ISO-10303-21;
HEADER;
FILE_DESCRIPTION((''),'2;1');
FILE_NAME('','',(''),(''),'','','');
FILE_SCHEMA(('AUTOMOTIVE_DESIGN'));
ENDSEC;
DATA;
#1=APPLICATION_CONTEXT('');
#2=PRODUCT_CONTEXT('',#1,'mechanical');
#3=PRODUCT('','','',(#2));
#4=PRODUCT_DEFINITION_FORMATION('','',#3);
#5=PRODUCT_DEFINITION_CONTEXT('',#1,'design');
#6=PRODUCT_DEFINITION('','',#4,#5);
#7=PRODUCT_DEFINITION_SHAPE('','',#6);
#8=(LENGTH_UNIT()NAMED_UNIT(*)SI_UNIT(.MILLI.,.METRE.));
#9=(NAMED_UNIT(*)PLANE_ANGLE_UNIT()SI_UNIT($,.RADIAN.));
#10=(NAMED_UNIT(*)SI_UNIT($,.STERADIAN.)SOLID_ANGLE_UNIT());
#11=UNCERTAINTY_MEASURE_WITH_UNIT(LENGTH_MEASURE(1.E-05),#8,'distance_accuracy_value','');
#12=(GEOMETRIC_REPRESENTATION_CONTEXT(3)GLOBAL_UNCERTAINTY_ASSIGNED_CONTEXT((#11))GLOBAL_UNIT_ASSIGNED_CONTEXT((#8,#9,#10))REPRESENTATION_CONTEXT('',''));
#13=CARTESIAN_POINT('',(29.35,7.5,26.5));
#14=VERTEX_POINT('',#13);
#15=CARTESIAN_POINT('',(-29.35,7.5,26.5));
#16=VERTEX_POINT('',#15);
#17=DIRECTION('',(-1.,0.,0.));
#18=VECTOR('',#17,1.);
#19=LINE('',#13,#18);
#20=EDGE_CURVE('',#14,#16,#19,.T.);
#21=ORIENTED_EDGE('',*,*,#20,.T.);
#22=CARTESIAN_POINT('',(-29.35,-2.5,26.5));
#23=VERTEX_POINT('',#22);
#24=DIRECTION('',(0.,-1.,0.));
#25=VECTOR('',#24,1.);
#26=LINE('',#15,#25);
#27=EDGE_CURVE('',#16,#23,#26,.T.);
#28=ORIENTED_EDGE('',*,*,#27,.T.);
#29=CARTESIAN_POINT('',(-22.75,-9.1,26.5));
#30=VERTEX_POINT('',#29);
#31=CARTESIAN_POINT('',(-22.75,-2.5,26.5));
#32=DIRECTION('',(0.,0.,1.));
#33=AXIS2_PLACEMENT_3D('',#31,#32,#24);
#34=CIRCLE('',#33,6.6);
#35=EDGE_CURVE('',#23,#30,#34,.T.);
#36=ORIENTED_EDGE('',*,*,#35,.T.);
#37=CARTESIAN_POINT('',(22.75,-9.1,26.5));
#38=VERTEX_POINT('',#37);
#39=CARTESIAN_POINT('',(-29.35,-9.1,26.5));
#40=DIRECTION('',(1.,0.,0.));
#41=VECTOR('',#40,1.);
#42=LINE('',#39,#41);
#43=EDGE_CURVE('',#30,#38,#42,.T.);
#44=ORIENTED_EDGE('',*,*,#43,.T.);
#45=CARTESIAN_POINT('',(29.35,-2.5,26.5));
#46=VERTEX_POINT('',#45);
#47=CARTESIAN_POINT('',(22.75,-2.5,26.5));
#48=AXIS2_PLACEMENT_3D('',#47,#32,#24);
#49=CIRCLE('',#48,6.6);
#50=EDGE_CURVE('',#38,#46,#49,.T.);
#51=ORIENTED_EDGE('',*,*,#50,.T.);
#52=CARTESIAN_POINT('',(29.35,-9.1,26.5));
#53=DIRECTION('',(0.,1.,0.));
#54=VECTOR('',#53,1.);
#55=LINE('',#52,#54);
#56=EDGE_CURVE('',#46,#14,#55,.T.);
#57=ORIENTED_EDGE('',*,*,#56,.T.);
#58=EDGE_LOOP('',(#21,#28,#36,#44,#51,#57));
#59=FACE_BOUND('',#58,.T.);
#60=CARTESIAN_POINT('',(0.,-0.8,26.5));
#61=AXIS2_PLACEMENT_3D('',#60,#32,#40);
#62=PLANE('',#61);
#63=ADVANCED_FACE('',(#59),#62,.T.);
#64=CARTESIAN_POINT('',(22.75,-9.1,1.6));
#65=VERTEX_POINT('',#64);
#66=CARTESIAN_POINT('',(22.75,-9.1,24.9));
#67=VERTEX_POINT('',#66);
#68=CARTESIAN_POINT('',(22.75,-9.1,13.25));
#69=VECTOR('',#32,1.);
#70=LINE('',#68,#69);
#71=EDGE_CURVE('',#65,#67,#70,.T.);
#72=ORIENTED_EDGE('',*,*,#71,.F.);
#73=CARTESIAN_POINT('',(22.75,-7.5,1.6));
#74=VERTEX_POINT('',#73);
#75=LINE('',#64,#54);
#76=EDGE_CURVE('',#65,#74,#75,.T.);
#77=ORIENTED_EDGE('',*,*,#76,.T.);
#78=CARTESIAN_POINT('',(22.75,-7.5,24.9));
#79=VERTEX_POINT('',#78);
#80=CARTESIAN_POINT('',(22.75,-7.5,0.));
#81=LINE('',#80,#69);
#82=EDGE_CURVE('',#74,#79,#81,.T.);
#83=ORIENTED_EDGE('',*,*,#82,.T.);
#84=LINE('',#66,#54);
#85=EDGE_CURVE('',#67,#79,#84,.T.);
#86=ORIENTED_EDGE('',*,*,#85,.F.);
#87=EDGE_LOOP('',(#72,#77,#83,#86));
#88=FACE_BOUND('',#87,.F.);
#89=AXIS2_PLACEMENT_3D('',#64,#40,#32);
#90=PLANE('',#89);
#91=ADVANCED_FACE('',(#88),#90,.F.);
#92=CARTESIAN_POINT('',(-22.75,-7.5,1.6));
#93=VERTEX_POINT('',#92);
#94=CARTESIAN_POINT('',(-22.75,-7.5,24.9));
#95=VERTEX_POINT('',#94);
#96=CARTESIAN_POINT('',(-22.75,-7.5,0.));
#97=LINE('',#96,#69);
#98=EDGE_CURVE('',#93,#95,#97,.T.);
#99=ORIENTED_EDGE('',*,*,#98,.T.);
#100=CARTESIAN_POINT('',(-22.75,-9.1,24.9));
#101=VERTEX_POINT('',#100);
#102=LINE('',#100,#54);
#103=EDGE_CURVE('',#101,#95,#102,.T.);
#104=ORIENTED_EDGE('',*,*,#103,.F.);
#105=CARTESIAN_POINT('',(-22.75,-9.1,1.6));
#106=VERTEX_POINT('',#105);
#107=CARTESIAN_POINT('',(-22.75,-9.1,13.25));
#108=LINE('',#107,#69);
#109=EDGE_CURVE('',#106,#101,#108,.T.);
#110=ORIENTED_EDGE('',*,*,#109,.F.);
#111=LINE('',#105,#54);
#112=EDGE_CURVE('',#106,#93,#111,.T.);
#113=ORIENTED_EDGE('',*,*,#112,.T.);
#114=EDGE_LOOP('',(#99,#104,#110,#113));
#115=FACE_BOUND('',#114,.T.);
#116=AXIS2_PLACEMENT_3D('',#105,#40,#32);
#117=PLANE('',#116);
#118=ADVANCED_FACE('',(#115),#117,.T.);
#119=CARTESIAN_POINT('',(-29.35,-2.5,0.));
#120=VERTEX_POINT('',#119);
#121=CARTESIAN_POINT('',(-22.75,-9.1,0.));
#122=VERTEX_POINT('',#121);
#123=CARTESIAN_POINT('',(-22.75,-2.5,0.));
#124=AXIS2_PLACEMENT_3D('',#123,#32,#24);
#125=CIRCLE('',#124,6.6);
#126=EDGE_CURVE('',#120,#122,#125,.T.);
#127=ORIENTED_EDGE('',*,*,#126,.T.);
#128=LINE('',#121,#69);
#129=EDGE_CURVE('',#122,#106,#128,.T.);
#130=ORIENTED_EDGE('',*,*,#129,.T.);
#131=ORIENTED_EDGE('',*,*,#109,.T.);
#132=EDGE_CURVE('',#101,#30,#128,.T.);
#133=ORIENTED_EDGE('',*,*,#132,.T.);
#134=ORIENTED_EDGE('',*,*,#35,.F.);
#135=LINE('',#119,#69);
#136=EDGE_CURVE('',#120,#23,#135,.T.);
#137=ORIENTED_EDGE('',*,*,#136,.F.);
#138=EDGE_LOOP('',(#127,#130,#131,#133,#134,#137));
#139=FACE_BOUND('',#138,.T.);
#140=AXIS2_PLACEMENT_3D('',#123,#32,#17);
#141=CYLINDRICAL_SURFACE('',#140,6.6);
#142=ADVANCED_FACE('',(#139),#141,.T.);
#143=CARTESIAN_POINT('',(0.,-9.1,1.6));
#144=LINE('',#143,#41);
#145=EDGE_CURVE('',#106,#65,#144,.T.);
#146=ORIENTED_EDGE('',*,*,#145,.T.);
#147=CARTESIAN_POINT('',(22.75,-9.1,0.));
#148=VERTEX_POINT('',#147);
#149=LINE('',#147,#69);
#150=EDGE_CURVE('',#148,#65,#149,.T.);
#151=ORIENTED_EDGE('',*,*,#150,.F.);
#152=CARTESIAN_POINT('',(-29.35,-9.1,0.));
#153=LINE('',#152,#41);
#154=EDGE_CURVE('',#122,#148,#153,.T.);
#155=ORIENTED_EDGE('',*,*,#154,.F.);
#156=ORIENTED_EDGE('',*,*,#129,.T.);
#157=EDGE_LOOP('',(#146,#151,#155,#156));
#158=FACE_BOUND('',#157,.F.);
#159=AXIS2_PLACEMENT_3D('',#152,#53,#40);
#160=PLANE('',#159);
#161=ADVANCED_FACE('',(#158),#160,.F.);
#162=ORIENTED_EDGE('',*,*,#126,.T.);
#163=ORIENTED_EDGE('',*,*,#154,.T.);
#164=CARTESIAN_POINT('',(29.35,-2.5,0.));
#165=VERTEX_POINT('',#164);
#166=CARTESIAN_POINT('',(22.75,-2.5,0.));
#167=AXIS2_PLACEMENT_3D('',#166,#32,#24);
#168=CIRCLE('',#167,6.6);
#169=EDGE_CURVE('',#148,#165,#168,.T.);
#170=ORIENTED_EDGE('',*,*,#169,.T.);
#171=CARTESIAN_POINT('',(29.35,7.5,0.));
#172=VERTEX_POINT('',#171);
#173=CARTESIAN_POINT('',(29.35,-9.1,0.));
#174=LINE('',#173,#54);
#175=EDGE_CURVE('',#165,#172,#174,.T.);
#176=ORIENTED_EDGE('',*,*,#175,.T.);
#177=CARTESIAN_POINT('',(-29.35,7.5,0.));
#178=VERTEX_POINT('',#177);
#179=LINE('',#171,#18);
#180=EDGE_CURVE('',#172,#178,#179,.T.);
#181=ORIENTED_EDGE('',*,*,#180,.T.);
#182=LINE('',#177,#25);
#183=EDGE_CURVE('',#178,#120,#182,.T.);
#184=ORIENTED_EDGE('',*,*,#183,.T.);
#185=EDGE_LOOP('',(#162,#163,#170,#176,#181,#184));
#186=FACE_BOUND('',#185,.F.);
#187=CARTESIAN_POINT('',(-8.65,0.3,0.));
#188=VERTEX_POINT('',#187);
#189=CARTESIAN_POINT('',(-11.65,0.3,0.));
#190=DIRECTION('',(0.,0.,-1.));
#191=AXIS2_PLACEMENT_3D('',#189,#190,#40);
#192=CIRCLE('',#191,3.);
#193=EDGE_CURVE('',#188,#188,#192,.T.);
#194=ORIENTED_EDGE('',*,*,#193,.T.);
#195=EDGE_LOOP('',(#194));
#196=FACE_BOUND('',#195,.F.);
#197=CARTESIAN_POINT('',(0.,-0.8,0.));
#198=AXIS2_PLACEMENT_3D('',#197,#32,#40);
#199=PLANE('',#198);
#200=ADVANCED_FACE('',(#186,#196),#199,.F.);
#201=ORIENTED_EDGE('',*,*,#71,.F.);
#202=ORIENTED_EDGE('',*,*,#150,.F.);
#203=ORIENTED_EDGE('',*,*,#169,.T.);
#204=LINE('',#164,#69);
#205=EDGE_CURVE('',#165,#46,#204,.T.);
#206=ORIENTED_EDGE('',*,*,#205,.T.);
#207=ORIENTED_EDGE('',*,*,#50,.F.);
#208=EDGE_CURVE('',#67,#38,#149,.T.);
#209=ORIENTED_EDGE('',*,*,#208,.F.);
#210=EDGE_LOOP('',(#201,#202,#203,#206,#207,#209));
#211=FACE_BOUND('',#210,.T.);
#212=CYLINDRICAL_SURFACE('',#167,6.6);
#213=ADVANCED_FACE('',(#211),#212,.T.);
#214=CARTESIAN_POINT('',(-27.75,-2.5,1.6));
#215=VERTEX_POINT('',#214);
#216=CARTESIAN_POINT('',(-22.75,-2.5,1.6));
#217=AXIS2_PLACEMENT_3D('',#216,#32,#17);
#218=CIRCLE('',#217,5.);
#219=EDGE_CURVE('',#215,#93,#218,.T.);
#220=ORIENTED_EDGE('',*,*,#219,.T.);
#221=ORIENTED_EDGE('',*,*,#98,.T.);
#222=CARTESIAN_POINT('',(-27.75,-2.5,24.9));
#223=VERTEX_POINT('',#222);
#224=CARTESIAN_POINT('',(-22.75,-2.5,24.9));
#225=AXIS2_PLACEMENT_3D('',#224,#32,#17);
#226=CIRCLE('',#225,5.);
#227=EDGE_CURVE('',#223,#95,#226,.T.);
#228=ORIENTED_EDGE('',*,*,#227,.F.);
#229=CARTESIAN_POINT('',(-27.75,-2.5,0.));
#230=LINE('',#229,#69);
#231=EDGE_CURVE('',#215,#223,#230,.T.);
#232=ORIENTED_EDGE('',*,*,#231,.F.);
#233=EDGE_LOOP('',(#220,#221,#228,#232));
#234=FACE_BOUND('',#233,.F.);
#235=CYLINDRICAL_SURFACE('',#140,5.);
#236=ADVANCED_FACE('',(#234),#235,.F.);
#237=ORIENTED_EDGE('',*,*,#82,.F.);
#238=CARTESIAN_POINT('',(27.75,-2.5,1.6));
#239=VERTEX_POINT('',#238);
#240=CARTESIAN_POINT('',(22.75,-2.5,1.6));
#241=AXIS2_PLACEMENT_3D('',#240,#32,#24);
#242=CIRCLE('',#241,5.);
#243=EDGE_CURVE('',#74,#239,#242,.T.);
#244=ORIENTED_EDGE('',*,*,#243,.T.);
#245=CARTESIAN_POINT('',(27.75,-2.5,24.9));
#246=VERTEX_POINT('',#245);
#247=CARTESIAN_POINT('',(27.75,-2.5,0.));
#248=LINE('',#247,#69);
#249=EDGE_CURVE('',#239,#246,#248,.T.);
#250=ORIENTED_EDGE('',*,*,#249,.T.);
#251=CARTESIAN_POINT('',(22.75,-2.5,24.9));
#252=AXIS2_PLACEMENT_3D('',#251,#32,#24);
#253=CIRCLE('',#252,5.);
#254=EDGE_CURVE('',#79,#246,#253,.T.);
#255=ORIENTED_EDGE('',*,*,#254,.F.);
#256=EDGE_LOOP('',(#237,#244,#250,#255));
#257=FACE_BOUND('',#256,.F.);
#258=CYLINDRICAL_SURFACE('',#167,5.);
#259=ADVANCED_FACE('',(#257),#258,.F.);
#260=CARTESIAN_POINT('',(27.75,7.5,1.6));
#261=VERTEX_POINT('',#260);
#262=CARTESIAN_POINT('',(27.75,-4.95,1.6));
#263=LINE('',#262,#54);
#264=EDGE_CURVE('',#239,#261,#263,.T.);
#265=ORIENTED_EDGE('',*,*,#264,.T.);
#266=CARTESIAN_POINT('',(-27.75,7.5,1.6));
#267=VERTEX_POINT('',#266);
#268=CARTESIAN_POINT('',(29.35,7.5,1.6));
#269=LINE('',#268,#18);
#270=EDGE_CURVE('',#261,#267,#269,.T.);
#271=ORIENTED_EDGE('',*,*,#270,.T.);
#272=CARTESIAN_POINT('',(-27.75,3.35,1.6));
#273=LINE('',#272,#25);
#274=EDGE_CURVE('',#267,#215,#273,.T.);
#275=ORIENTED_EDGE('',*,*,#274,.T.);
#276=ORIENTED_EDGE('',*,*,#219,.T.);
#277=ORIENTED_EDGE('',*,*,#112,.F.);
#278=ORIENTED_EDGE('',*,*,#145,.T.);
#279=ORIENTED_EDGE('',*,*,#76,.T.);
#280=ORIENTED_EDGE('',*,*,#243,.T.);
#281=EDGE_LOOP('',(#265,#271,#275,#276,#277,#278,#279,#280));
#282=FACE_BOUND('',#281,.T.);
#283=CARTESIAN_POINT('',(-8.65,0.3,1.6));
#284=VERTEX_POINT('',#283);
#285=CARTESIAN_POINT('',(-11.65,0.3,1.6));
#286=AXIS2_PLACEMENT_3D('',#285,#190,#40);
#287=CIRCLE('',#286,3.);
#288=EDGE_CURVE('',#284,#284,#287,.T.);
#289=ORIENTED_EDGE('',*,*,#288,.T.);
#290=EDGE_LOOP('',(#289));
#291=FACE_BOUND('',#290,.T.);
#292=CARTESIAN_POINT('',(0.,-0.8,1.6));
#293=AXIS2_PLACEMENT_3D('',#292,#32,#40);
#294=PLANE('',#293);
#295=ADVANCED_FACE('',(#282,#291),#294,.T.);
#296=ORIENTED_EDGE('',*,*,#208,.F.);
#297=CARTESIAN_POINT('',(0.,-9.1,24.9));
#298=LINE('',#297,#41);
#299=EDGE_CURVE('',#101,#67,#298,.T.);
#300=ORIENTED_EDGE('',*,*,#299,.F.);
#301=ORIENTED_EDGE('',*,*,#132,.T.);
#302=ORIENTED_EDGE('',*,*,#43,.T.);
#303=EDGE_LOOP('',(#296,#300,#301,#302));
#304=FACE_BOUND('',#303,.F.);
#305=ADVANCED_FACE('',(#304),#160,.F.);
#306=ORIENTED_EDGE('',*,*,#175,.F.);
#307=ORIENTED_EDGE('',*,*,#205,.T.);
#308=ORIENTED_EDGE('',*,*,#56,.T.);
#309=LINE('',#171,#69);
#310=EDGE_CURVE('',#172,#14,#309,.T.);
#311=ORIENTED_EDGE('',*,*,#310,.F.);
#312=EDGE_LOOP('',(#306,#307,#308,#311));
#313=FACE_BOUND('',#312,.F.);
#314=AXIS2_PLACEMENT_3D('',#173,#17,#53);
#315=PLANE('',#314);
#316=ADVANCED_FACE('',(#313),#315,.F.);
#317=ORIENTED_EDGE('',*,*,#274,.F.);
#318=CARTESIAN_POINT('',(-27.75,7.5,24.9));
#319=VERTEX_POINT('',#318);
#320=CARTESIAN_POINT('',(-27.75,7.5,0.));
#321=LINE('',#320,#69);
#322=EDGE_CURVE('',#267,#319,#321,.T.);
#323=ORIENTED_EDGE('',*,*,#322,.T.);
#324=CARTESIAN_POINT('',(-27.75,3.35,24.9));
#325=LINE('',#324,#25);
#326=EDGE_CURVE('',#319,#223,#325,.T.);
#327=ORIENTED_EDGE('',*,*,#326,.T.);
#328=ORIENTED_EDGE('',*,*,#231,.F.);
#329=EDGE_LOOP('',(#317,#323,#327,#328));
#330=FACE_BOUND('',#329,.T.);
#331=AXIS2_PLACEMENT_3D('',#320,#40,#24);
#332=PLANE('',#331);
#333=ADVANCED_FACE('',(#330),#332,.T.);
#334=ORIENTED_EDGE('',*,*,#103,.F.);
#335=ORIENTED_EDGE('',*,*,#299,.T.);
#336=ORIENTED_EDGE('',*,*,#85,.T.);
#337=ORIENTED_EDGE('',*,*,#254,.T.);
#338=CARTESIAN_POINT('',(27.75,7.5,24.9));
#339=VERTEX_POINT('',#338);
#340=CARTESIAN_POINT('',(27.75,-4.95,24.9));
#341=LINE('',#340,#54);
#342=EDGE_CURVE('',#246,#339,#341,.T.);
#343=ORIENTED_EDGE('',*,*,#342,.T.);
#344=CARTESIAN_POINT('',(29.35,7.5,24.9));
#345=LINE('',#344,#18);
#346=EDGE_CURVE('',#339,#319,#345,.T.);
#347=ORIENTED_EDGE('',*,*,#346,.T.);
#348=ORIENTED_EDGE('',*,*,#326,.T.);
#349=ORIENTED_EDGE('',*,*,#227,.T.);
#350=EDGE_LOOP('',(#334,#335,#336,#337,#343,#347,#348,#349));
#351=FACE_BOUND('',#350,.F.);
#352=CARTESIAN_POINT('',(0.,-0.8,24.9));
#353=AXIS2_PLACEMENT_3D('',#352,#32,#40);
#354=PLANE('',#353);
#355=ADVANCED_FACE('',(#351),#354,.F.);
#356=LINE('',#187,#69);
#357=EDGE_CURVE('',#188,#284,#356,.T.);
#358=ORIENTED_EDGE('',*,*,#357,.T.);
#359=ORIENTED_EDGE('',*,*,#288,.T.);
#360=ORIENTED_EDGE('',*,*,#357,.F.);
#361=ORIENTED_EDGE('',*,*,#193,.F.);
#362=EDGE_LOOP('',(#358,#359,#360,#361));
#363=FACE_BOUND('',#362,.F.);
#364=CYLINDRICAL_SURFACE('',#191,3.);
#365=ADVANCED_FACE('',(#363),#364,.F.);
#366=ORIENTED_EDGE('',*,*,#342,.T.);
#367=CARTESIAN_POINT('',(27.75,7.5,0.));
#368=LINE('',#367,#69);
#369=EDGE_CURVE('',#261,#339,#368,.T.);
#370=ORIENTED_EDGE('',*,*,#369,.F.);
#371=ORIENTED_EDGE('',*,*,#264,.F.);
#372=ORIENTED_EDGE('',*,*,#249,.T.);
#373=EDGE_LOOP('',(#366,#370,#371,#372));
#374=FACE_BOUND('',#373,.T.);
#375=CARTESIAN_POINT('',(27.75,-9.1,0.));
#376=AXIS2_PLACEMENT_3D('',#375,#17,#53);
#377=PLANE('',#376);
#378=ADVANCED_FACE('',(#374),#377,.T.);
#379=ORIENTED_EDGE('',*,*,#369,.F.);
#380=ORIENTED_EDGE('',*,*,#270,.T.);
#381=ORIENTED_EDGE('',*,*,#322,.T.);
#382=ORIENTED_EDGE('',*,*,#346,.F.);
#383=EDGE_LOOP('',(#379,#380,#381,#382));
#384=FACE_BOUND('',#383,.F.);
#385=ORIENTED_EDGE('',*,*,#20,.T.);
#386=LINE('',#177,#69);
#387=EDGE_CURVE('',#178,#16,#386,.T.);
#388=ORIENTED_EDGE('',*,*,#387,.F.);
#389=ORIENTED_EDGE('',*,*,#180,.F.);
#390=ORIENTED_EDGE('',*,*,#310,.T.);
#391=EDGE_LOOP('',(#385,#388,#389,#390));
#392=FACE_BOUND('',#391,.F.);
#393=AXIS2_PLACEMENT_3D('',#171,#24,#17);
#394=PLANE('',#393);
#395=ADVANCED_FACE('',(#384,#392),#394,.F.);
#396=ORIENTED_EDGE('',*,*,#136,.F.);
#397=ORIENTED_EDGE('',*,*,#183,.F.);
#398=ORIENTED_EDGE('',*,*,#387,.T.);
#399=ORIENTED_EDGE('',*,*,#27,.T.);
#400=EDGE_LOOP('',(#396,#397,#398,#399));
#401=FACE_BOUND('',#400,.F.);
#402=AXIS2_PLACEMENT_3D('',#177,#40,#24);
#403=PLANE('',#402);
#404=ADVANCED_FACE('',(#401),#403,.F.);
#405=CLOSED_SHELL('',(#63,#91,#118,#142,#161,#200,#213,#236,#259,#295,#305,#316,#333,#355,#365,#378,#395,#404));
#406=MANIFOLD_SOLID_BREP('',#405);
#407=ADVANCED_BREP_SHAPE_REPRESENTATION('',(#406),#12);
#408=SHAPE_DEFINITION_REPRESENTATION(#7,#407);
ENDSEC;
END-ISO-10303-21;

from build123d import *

# Parameters (mm, degrees)
F1_DEPTH = 26.5
F2_R     = 6.6
F3_T     = -1.6
F4_R     = 3
F5_DEPTH = 2
F6_W     = 45.5
F6_H     = 23.3
F7_DEPTH = 2


with BuildPart() as f1:
    # F0 (on Top) → F1 (new body)
    with BuildSketch(Plane.XY):
        Polygon((29.25, 7.5), (27.65, 7.5), (-27.65, 7.5), (-29.25, 7.5), (-29.35, 7.5), (-29.35, -9.1), (-29.25, -9.1), (29.25, -9.1), (29.35, -9.1), (29.35, 7.5), align=None)
    extrude(amount=F1_DEPTH)

    # F2
    f2_edges = [f1.edges().sort_by_distance(p)[0] for p in [
        (-29.35, -9.1, 13.25),
        (29.35, -9.1, 13.25),
    ]]
    fillet(f2_edges, radius=F2_R)

    # F3
    f3_openings = [f1.faces().sort_by_distance(p)[0] for p in [
        (0, 7.5, 13.25),
    ]]
    offset(amount=F3_T, openings=f3_openings)

    # F4 (on face) → F5 (cut)
    with BuildSketch(Plane(origin=(0, 0, 0), x_dir=(1, 0, 0), z_dir=(0, 0, -1))):
        with Locations((-11.65, -0.3)):
            Circle(F4_R)
    extrude(amount=-F5_DEPTH, mode=Mode.SUBTRACT)

    # F6 (on face) → F7 (cut)
    with BuildSketch(Plane.XZ.offset(9.1)):
        with Locations((0, 13.25)):
            Rectangle(F6_W, F6_H)
    extrude(amount=-F7_DEPTH, mode=Mode.SUBTRACT)


solid = f1.part
